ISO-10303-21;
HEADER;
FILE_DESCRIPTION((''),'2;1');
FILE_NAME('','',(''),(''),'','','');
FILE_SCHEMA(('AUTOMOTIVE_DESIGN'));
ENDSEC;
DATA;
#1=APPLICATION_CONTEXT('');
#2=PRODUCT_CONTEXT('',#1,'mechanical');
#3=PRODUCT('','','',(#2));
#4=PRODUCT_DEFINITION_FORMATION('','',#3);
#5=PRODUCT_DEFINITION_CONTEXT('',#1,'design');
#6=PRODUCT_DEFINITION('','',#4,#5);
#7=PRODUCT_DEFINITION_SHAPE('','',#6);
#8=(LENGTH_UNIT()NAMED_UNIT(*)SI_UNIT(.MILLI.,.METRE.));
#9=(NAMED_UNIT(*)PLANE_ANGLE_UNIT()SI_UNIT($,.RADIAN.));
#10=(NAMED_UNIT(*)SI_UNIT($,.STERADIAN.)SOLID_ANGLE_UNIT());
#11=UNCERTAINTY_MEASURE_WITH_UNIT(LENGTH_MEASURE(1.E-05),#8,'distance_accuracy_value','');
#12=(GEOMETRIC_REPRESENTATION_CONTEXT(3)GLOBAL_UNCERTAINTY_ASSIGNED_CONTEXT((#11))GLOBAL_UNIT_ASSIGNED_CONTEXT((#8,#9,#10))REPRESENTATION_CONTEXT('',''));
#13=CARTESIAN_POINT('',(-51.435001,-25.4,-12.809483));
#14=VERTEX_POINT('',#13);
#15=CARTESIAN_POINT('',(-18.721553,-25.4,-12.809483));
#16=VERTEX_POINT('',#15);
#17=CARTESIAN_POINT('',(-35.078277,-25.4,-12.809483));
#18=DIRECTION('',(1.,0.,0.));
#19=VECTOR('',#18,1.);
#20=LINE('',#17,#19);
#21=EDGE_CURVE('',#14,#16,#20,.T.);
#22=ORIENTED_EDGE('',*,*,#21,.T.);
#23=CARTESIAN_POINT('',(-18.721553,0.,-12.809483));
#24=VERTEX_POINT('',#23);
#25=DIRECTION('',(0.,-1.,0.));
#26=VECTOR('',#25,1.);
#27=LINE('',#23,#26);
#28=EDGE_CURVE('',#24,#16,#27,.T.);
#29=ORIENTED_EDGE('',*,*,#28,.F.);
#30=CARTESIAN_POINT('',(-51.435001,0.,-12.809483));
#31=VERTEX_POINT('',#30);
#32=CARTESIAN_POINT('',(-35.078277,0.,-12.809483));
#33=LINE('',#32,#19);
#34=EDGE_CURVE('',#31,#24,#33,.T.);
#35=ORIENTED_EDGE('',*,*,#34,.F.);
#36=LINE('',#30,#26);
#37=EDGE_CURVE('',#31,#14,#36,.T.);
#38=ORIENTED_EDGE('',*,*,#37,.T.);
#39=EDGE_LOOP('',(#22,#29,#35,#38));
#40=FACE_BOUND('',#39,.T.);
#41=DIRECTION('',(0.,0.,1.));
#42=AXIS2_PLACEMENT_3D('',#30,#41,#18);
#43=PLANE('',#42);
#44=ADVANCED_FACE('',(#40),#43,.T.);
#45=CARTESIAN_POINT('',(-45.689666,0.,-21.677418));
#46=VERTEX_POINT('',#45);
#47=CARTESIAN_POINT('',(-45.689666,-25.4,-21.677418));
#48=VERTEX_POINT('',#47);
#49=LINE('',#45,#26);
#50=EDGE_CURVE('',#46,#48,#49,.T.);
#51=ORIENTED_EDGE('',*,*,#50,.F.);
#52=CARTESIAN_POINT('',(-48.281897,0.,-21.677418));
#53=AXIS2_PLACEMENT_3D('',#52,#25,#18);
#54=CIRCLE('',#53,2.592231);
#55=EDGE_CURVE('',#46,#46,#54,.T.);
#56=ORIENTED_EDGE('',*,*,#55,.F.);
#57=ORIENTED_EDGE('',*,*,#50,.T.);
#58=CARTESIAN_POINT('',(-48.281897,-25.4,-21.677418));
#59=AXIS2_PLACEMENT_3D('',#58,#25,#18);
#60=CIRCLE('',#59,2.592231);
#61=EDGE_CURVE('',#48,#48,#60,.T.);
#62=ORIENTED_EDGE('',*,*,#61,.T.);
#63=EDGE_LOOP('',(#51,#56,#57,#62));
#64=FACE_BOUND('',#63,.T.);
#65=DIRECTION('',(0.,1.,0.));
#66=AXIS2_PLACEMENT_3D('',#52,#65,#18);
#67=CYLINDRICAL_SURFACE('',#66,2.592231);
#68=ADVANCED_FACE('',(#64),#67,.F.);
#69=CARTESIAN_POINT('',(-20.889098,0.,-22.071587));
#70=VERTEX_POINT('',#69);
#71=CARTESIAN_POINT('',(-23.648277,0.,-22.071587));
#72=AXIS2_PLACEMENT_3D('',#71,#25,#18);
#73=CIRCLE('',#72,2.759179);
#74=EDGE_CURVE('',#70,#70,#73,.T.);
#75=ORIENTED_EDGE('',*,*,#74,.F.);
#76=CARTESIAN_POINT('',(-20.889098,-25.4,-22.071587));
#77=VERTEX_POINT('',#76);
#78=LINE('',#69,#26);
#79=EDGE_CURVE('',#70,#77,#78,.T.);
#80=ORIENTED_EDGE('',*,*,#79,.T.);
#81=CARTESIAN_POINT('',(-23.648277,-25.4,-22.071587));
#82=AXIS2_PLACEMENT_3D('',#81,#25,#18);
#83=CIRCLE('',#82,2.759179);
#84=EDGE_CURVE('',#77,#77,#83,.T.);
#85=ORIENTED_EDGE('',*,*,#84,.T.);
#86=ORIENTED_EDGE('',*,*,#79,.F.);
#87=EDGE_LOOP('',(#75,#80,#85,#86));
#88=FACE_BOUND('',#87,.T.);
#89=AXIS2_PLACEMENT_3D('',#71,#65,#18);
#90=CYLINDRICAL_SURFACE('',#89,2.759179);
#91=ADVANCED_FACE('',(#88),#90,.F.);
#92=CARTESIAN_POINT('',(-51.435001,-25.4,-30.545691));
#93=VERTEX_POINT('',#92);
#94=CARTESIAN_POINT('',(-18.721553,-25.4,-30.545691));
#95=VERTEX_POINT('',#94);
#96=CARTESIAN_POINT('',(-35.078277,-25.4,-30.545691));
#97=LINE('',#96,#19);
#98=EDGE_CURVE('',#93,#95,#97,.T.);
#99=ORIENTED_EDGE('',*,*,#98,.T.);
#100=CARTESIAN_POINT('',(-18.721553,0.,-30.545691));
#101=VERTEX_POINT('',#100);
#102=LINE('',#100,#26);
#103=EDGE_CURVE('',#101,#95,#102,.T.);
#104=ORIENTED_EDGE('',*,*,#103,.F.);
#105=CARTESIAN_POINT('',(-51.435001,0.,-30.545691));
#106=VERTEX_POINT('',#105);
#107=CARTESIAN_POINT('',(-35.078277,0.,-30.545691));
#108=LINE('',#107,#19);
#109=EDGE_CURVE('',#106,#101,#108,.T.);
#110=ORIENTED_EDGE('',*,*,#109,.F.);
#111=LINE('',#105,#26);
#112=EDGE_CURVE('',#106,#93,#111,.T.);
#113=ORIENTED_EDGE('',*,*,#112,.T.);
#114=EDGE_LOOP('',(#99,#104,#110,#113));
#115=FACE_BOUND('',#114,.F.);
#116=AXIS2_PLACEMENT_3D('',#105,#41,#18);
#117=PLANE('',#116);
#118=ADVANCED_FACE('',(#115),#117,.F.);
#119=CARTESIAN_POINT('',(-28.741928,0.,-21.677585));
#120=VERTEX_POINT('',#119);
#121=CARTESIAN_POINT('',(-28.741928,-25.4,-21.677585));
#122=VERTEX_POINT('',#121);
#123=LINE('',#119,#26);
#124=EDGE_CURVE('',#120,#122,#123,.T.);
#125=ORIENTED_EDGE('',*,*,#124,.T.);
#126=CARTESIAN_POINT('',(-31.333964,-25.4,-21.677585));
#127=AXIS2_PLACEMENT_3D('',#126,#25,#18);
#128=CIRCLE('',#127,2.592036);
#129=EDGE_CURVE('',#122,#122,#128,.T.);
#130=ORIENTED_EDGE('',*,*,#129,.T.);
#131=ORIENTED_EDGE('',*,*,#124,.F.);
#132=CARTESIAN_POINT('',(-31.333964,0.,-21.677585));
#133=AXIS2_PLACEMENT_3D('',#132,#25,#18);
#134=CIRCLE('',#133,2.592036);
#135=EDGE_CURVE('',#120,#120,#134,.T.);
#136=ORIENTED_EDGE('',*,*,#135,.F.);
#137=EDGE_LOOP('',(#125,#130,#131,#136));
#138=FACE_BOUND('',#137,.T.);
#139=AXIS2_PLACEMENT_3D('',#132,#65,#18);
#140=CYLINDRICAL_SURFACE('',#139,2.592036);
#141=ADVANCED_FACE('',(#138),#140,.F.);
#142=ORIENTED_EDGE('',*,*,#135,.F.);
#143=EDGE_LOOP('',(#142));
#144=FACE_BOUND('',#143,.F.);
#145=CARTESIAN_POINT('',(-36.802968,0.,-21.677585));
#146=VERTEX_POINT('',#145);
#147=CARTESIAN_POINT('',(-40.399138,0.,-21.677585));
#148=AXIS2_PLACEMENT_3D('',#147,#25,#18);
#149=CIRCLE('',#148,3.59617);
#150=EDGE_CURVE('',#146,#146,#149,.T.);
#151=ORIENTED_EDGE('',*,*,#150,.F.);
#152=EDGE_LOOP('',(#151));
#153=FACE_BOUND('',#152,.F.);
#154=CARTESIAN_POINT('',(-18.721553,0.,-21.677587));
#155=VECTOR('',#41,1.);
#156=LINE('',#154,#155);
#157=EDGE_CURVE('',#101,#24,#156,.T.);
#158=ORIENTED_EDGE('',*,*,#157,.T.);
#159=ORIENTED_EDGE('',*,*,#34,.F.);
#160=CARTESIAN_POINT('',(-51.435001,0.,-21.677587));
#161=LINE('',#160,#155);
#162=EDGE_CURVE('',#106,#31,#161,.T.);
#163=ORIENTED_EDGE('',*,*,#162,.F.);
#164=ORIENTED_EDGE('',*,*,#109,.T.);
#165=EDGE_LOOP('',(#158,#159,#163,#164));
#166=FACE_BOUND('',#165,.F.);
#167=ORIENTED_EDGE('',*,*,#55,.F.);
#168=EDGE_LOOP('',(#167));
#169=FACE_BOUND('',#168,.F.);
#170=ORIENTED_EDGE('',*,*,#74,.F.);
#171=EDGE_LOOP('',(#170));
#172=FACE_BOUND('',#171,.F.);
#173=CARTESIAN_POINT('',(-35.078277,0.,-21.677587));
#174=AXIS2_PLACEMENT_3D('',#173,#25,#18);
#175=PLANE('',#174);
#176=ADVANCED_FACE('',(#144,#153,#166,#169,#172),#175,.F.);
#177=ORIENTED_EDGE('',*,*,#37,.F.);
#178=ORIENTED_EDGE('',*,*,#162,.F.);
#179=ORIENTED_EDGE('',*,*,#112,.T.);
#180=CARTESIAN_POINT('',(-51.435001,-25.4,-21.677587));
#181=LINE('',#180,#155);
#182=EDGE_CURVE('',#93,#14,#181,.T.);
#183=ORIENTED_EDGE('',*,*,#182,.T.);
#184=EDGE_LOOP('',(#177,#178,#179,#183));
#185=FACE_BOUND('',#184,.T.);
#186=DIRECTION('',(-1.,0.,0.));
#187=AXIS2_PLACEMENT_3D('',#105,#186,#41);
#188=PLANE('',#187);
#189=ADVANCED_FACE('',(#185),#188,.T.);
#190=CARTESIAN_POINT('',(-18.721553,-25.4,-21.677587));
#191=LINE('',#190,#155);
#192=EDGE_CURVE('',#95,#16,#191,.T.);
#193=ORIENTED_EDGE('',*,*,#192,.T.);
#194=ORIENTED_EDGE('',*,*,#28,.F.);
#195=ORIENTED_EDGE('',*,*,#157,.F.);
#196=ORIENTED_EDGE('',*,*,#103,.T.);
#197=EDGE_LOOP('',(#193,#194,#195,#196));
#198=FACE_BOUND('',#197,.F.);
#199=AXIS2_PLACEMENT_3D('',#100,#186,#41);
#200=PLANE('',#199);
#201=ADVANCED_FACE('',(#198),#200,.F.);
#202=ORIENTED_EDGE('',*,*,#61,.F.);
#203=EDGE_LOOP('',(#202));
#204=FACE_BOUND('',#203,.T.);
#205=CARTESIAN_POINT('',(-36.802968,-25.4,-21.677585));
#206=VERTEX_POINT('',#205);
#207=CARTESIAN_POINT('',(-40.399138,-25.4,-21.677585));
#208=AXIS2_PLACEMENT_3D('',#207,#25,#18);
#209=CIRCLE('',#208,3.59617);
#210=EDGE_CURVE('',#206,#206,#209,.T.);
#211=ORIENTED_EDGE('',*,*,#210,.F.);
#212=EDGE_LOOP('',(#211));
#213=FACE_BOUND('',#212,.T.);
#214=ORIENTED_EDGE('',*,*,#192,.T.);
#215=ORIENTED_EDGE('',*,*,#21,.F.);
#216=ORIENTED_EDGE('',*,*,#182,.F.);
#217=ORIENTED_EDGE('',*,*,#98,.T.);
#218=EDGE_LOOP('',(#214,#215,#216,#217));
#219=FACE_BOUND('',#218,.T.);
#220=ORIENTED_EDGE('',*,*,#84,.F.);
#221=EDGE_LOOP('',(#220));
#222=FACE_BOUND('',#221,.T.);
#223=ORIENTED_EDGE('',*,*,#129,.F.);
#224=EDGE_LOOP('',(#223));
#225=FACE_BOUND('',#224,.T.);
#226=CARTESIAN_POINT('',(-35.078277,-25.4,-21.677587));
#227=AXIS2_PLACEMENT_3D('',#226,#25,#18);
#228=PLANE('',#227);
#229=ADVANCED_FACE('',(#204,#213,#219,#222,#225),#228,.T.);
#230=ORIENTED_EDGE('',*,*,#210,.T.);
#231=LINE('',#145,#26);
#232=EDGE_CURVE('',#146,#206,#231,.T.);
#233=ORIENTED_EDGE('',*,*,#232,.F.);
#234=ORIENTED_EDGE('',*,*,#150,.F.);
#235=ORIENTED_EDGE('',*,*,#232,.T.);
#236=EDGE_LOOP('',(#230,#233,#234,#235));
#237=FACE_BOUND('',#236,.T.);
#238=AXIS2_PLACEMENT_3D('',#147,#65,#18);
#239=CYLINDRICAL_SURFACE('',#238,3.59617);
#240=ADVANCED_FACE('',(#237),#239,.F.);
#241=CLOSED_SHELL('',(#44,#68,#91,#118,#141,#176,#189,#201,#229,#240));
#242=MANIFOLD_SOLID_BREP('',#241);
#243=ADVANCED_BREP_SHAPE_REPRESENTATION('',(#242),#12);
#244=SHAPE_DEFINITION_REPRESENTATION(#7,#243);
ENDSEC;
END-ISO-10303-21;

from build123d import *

# Parameters (mm, degrees)
F0_W     = 32.713448
F0_H     = 17.736208
F0_R     = 2.759179
F0_R_2   = 2.592231
F0_R_3   = 3.59617
F0_R_4   = 2.592036
F1_DEPTH = 25.4


with BuildPart() as f1:
    # F0 (on Front) → F1 (new body)
    with BuildSketch(Plane.XZ):
        with Locations((-35.078277, -21.677587)):
            Rectangle(F0_W, F0_H)
        with Locations((-23.648277, -22.071587)):
            Circle(F0_R, mode=Mode.SUBTRACT)
        with Locations((-48.281897, -21.677418)):
            Circle(F0_R_2, mode=Mode.SUBTRACT)
        with Locations((-40.399138, -21.677585)):
            Circle(F0_R_3, mode=Mode.SUBTRACT)
        with Locations((-31.333964, -21.677585)):
            Circle(F0_R_4, mode=Mode.SUBTRACT)
    extrude(amount=F1_DEPTH)


solid = f1.part
